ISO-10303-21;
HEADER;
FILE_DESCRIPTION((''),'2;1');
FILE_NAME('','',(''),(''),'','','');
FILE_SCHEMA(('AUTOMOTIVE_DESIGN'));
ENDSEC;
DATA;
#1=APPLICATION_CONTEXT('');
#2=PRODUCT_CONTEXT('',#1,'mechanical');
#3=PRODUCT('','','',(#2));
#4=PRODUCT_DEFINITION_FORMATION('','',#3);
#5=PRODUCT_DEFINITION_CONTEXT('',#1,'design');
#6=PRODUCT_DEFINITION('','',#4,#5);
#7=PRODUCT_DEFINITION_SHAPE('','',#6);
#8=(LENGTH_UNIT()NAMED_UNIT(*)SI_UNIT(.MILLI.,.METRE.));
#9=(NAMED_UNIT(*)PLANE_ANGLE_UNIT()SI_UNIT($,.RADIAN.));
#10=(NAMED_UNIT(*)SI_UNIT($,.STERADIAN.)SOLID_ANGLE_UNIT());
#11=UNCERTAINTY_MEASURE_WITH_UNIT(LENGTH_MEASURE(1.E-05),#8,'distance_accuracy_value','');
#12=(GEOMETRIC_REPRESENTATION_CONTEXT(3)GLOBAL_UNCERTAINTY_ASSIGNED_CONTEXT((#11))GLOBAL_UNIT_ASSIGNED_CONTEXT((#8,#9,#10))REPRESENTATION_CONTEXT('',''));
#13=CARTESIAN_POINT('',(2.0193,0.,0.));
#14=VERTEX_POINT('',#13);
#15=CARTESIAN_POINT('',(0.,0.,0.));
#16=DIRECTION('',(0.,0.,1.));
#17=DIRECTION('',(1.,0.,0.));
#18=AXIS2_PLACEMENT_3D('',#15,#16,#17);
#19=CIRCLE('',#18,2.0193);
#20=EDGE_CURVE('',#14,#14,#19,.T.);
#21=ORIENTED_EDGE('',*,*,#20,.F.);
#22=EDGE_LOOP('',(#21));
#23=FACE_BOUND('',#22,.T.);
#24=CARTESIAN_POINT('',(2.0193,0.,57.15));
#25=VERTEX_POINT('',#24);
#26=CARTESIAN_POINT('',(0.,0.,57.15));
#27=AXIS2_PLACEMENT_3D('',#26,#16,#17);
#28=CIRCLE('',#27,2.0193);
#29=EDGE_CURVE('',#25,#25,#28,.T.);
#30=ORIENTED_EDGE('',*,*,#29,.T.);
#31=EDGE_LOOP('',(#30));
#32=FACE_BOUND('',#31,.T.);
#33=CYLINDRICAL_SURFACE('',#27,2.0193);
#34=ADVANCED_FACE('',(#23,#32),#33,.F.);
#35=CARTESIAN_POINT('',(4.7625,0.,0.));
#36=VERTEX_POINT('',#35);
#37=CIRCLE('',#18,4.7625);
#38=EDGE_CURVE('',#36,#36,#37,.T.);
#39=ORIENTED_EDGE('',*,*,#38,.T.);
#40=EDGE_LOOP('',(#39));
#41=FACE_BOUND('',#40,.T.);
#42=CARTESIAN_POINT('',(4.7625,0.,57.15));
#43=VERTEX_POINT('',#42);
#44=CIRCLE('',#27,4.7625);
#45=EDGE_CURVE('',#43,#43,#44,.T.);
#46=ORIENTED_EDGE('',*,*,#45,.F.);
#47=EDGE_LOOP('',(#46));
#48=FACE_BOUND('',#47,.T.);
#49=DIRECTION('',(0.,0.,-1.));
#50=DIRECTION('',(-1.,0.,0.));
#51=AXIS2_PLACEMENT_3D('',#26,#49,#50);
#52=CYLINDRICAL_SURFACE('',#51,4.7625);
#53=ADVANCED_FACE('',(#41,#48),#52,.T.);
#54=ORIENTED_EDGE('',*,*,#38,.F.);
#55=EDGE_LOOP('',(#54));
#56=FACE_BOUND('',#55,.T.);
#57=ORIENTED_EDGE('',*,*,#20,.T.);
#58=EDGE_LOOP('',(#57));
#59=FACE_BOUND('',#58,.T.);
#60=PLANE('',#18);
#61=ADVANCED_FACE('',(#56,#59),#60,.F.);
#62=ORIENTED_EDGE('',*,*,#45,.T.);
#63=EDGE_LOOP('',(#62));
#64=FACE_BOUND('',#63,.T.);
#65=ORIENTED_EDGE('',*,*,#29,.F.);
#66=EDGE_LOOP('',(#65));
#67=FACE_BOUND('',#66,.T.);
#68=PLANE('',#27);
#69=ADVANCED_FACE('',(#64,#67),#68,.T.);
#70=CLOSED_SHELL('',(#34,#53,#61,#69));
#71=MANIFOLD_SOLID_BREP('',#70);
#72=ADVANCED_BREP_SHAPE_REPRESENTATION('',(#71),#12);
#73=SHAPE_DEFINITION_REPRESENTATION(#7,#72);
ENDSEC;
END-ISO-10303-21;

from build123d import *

# Parameters (mm, degrees)
SKETCH1_R                        = 4.7625
BOSS_EXTRUDE1_DEPTH              = 57.15
F_10_32_TAPPED_HOLE1_D           = 4.0386
F_10_32_TAPPED_HOLE1_ON_FACE_2_D = 4.0386


with BuildPart() as part:
    # Sketch1 → Boss-Extrude1 (new body)
    with BuildSketch(Plane.XY):
        Circle(SKETCH1_R)
    extrude(amount=BOSS_EXTRUDE1_DEPTH)

    # #10-32 Tapped Hole1 (through all)
    with Locations(Plane.XY.offset(57.15)):
        with Locations((0, 0)):
            Hole(F_10_32_TAPPED_HOLE1_D / 2)

    # #10-32 Tapped Hole1 on face 2 (through all)
    with Locations(Plane(origin=(0, 0, 0), x_dir=(-1, 0, 0), z_dir=(0, 0, -1))):
        with Locations((0, 0)):
            Hole(F_10_32_TAPPED_HOLE1_ON_FACE_2_D / 2)


solid = part.part
